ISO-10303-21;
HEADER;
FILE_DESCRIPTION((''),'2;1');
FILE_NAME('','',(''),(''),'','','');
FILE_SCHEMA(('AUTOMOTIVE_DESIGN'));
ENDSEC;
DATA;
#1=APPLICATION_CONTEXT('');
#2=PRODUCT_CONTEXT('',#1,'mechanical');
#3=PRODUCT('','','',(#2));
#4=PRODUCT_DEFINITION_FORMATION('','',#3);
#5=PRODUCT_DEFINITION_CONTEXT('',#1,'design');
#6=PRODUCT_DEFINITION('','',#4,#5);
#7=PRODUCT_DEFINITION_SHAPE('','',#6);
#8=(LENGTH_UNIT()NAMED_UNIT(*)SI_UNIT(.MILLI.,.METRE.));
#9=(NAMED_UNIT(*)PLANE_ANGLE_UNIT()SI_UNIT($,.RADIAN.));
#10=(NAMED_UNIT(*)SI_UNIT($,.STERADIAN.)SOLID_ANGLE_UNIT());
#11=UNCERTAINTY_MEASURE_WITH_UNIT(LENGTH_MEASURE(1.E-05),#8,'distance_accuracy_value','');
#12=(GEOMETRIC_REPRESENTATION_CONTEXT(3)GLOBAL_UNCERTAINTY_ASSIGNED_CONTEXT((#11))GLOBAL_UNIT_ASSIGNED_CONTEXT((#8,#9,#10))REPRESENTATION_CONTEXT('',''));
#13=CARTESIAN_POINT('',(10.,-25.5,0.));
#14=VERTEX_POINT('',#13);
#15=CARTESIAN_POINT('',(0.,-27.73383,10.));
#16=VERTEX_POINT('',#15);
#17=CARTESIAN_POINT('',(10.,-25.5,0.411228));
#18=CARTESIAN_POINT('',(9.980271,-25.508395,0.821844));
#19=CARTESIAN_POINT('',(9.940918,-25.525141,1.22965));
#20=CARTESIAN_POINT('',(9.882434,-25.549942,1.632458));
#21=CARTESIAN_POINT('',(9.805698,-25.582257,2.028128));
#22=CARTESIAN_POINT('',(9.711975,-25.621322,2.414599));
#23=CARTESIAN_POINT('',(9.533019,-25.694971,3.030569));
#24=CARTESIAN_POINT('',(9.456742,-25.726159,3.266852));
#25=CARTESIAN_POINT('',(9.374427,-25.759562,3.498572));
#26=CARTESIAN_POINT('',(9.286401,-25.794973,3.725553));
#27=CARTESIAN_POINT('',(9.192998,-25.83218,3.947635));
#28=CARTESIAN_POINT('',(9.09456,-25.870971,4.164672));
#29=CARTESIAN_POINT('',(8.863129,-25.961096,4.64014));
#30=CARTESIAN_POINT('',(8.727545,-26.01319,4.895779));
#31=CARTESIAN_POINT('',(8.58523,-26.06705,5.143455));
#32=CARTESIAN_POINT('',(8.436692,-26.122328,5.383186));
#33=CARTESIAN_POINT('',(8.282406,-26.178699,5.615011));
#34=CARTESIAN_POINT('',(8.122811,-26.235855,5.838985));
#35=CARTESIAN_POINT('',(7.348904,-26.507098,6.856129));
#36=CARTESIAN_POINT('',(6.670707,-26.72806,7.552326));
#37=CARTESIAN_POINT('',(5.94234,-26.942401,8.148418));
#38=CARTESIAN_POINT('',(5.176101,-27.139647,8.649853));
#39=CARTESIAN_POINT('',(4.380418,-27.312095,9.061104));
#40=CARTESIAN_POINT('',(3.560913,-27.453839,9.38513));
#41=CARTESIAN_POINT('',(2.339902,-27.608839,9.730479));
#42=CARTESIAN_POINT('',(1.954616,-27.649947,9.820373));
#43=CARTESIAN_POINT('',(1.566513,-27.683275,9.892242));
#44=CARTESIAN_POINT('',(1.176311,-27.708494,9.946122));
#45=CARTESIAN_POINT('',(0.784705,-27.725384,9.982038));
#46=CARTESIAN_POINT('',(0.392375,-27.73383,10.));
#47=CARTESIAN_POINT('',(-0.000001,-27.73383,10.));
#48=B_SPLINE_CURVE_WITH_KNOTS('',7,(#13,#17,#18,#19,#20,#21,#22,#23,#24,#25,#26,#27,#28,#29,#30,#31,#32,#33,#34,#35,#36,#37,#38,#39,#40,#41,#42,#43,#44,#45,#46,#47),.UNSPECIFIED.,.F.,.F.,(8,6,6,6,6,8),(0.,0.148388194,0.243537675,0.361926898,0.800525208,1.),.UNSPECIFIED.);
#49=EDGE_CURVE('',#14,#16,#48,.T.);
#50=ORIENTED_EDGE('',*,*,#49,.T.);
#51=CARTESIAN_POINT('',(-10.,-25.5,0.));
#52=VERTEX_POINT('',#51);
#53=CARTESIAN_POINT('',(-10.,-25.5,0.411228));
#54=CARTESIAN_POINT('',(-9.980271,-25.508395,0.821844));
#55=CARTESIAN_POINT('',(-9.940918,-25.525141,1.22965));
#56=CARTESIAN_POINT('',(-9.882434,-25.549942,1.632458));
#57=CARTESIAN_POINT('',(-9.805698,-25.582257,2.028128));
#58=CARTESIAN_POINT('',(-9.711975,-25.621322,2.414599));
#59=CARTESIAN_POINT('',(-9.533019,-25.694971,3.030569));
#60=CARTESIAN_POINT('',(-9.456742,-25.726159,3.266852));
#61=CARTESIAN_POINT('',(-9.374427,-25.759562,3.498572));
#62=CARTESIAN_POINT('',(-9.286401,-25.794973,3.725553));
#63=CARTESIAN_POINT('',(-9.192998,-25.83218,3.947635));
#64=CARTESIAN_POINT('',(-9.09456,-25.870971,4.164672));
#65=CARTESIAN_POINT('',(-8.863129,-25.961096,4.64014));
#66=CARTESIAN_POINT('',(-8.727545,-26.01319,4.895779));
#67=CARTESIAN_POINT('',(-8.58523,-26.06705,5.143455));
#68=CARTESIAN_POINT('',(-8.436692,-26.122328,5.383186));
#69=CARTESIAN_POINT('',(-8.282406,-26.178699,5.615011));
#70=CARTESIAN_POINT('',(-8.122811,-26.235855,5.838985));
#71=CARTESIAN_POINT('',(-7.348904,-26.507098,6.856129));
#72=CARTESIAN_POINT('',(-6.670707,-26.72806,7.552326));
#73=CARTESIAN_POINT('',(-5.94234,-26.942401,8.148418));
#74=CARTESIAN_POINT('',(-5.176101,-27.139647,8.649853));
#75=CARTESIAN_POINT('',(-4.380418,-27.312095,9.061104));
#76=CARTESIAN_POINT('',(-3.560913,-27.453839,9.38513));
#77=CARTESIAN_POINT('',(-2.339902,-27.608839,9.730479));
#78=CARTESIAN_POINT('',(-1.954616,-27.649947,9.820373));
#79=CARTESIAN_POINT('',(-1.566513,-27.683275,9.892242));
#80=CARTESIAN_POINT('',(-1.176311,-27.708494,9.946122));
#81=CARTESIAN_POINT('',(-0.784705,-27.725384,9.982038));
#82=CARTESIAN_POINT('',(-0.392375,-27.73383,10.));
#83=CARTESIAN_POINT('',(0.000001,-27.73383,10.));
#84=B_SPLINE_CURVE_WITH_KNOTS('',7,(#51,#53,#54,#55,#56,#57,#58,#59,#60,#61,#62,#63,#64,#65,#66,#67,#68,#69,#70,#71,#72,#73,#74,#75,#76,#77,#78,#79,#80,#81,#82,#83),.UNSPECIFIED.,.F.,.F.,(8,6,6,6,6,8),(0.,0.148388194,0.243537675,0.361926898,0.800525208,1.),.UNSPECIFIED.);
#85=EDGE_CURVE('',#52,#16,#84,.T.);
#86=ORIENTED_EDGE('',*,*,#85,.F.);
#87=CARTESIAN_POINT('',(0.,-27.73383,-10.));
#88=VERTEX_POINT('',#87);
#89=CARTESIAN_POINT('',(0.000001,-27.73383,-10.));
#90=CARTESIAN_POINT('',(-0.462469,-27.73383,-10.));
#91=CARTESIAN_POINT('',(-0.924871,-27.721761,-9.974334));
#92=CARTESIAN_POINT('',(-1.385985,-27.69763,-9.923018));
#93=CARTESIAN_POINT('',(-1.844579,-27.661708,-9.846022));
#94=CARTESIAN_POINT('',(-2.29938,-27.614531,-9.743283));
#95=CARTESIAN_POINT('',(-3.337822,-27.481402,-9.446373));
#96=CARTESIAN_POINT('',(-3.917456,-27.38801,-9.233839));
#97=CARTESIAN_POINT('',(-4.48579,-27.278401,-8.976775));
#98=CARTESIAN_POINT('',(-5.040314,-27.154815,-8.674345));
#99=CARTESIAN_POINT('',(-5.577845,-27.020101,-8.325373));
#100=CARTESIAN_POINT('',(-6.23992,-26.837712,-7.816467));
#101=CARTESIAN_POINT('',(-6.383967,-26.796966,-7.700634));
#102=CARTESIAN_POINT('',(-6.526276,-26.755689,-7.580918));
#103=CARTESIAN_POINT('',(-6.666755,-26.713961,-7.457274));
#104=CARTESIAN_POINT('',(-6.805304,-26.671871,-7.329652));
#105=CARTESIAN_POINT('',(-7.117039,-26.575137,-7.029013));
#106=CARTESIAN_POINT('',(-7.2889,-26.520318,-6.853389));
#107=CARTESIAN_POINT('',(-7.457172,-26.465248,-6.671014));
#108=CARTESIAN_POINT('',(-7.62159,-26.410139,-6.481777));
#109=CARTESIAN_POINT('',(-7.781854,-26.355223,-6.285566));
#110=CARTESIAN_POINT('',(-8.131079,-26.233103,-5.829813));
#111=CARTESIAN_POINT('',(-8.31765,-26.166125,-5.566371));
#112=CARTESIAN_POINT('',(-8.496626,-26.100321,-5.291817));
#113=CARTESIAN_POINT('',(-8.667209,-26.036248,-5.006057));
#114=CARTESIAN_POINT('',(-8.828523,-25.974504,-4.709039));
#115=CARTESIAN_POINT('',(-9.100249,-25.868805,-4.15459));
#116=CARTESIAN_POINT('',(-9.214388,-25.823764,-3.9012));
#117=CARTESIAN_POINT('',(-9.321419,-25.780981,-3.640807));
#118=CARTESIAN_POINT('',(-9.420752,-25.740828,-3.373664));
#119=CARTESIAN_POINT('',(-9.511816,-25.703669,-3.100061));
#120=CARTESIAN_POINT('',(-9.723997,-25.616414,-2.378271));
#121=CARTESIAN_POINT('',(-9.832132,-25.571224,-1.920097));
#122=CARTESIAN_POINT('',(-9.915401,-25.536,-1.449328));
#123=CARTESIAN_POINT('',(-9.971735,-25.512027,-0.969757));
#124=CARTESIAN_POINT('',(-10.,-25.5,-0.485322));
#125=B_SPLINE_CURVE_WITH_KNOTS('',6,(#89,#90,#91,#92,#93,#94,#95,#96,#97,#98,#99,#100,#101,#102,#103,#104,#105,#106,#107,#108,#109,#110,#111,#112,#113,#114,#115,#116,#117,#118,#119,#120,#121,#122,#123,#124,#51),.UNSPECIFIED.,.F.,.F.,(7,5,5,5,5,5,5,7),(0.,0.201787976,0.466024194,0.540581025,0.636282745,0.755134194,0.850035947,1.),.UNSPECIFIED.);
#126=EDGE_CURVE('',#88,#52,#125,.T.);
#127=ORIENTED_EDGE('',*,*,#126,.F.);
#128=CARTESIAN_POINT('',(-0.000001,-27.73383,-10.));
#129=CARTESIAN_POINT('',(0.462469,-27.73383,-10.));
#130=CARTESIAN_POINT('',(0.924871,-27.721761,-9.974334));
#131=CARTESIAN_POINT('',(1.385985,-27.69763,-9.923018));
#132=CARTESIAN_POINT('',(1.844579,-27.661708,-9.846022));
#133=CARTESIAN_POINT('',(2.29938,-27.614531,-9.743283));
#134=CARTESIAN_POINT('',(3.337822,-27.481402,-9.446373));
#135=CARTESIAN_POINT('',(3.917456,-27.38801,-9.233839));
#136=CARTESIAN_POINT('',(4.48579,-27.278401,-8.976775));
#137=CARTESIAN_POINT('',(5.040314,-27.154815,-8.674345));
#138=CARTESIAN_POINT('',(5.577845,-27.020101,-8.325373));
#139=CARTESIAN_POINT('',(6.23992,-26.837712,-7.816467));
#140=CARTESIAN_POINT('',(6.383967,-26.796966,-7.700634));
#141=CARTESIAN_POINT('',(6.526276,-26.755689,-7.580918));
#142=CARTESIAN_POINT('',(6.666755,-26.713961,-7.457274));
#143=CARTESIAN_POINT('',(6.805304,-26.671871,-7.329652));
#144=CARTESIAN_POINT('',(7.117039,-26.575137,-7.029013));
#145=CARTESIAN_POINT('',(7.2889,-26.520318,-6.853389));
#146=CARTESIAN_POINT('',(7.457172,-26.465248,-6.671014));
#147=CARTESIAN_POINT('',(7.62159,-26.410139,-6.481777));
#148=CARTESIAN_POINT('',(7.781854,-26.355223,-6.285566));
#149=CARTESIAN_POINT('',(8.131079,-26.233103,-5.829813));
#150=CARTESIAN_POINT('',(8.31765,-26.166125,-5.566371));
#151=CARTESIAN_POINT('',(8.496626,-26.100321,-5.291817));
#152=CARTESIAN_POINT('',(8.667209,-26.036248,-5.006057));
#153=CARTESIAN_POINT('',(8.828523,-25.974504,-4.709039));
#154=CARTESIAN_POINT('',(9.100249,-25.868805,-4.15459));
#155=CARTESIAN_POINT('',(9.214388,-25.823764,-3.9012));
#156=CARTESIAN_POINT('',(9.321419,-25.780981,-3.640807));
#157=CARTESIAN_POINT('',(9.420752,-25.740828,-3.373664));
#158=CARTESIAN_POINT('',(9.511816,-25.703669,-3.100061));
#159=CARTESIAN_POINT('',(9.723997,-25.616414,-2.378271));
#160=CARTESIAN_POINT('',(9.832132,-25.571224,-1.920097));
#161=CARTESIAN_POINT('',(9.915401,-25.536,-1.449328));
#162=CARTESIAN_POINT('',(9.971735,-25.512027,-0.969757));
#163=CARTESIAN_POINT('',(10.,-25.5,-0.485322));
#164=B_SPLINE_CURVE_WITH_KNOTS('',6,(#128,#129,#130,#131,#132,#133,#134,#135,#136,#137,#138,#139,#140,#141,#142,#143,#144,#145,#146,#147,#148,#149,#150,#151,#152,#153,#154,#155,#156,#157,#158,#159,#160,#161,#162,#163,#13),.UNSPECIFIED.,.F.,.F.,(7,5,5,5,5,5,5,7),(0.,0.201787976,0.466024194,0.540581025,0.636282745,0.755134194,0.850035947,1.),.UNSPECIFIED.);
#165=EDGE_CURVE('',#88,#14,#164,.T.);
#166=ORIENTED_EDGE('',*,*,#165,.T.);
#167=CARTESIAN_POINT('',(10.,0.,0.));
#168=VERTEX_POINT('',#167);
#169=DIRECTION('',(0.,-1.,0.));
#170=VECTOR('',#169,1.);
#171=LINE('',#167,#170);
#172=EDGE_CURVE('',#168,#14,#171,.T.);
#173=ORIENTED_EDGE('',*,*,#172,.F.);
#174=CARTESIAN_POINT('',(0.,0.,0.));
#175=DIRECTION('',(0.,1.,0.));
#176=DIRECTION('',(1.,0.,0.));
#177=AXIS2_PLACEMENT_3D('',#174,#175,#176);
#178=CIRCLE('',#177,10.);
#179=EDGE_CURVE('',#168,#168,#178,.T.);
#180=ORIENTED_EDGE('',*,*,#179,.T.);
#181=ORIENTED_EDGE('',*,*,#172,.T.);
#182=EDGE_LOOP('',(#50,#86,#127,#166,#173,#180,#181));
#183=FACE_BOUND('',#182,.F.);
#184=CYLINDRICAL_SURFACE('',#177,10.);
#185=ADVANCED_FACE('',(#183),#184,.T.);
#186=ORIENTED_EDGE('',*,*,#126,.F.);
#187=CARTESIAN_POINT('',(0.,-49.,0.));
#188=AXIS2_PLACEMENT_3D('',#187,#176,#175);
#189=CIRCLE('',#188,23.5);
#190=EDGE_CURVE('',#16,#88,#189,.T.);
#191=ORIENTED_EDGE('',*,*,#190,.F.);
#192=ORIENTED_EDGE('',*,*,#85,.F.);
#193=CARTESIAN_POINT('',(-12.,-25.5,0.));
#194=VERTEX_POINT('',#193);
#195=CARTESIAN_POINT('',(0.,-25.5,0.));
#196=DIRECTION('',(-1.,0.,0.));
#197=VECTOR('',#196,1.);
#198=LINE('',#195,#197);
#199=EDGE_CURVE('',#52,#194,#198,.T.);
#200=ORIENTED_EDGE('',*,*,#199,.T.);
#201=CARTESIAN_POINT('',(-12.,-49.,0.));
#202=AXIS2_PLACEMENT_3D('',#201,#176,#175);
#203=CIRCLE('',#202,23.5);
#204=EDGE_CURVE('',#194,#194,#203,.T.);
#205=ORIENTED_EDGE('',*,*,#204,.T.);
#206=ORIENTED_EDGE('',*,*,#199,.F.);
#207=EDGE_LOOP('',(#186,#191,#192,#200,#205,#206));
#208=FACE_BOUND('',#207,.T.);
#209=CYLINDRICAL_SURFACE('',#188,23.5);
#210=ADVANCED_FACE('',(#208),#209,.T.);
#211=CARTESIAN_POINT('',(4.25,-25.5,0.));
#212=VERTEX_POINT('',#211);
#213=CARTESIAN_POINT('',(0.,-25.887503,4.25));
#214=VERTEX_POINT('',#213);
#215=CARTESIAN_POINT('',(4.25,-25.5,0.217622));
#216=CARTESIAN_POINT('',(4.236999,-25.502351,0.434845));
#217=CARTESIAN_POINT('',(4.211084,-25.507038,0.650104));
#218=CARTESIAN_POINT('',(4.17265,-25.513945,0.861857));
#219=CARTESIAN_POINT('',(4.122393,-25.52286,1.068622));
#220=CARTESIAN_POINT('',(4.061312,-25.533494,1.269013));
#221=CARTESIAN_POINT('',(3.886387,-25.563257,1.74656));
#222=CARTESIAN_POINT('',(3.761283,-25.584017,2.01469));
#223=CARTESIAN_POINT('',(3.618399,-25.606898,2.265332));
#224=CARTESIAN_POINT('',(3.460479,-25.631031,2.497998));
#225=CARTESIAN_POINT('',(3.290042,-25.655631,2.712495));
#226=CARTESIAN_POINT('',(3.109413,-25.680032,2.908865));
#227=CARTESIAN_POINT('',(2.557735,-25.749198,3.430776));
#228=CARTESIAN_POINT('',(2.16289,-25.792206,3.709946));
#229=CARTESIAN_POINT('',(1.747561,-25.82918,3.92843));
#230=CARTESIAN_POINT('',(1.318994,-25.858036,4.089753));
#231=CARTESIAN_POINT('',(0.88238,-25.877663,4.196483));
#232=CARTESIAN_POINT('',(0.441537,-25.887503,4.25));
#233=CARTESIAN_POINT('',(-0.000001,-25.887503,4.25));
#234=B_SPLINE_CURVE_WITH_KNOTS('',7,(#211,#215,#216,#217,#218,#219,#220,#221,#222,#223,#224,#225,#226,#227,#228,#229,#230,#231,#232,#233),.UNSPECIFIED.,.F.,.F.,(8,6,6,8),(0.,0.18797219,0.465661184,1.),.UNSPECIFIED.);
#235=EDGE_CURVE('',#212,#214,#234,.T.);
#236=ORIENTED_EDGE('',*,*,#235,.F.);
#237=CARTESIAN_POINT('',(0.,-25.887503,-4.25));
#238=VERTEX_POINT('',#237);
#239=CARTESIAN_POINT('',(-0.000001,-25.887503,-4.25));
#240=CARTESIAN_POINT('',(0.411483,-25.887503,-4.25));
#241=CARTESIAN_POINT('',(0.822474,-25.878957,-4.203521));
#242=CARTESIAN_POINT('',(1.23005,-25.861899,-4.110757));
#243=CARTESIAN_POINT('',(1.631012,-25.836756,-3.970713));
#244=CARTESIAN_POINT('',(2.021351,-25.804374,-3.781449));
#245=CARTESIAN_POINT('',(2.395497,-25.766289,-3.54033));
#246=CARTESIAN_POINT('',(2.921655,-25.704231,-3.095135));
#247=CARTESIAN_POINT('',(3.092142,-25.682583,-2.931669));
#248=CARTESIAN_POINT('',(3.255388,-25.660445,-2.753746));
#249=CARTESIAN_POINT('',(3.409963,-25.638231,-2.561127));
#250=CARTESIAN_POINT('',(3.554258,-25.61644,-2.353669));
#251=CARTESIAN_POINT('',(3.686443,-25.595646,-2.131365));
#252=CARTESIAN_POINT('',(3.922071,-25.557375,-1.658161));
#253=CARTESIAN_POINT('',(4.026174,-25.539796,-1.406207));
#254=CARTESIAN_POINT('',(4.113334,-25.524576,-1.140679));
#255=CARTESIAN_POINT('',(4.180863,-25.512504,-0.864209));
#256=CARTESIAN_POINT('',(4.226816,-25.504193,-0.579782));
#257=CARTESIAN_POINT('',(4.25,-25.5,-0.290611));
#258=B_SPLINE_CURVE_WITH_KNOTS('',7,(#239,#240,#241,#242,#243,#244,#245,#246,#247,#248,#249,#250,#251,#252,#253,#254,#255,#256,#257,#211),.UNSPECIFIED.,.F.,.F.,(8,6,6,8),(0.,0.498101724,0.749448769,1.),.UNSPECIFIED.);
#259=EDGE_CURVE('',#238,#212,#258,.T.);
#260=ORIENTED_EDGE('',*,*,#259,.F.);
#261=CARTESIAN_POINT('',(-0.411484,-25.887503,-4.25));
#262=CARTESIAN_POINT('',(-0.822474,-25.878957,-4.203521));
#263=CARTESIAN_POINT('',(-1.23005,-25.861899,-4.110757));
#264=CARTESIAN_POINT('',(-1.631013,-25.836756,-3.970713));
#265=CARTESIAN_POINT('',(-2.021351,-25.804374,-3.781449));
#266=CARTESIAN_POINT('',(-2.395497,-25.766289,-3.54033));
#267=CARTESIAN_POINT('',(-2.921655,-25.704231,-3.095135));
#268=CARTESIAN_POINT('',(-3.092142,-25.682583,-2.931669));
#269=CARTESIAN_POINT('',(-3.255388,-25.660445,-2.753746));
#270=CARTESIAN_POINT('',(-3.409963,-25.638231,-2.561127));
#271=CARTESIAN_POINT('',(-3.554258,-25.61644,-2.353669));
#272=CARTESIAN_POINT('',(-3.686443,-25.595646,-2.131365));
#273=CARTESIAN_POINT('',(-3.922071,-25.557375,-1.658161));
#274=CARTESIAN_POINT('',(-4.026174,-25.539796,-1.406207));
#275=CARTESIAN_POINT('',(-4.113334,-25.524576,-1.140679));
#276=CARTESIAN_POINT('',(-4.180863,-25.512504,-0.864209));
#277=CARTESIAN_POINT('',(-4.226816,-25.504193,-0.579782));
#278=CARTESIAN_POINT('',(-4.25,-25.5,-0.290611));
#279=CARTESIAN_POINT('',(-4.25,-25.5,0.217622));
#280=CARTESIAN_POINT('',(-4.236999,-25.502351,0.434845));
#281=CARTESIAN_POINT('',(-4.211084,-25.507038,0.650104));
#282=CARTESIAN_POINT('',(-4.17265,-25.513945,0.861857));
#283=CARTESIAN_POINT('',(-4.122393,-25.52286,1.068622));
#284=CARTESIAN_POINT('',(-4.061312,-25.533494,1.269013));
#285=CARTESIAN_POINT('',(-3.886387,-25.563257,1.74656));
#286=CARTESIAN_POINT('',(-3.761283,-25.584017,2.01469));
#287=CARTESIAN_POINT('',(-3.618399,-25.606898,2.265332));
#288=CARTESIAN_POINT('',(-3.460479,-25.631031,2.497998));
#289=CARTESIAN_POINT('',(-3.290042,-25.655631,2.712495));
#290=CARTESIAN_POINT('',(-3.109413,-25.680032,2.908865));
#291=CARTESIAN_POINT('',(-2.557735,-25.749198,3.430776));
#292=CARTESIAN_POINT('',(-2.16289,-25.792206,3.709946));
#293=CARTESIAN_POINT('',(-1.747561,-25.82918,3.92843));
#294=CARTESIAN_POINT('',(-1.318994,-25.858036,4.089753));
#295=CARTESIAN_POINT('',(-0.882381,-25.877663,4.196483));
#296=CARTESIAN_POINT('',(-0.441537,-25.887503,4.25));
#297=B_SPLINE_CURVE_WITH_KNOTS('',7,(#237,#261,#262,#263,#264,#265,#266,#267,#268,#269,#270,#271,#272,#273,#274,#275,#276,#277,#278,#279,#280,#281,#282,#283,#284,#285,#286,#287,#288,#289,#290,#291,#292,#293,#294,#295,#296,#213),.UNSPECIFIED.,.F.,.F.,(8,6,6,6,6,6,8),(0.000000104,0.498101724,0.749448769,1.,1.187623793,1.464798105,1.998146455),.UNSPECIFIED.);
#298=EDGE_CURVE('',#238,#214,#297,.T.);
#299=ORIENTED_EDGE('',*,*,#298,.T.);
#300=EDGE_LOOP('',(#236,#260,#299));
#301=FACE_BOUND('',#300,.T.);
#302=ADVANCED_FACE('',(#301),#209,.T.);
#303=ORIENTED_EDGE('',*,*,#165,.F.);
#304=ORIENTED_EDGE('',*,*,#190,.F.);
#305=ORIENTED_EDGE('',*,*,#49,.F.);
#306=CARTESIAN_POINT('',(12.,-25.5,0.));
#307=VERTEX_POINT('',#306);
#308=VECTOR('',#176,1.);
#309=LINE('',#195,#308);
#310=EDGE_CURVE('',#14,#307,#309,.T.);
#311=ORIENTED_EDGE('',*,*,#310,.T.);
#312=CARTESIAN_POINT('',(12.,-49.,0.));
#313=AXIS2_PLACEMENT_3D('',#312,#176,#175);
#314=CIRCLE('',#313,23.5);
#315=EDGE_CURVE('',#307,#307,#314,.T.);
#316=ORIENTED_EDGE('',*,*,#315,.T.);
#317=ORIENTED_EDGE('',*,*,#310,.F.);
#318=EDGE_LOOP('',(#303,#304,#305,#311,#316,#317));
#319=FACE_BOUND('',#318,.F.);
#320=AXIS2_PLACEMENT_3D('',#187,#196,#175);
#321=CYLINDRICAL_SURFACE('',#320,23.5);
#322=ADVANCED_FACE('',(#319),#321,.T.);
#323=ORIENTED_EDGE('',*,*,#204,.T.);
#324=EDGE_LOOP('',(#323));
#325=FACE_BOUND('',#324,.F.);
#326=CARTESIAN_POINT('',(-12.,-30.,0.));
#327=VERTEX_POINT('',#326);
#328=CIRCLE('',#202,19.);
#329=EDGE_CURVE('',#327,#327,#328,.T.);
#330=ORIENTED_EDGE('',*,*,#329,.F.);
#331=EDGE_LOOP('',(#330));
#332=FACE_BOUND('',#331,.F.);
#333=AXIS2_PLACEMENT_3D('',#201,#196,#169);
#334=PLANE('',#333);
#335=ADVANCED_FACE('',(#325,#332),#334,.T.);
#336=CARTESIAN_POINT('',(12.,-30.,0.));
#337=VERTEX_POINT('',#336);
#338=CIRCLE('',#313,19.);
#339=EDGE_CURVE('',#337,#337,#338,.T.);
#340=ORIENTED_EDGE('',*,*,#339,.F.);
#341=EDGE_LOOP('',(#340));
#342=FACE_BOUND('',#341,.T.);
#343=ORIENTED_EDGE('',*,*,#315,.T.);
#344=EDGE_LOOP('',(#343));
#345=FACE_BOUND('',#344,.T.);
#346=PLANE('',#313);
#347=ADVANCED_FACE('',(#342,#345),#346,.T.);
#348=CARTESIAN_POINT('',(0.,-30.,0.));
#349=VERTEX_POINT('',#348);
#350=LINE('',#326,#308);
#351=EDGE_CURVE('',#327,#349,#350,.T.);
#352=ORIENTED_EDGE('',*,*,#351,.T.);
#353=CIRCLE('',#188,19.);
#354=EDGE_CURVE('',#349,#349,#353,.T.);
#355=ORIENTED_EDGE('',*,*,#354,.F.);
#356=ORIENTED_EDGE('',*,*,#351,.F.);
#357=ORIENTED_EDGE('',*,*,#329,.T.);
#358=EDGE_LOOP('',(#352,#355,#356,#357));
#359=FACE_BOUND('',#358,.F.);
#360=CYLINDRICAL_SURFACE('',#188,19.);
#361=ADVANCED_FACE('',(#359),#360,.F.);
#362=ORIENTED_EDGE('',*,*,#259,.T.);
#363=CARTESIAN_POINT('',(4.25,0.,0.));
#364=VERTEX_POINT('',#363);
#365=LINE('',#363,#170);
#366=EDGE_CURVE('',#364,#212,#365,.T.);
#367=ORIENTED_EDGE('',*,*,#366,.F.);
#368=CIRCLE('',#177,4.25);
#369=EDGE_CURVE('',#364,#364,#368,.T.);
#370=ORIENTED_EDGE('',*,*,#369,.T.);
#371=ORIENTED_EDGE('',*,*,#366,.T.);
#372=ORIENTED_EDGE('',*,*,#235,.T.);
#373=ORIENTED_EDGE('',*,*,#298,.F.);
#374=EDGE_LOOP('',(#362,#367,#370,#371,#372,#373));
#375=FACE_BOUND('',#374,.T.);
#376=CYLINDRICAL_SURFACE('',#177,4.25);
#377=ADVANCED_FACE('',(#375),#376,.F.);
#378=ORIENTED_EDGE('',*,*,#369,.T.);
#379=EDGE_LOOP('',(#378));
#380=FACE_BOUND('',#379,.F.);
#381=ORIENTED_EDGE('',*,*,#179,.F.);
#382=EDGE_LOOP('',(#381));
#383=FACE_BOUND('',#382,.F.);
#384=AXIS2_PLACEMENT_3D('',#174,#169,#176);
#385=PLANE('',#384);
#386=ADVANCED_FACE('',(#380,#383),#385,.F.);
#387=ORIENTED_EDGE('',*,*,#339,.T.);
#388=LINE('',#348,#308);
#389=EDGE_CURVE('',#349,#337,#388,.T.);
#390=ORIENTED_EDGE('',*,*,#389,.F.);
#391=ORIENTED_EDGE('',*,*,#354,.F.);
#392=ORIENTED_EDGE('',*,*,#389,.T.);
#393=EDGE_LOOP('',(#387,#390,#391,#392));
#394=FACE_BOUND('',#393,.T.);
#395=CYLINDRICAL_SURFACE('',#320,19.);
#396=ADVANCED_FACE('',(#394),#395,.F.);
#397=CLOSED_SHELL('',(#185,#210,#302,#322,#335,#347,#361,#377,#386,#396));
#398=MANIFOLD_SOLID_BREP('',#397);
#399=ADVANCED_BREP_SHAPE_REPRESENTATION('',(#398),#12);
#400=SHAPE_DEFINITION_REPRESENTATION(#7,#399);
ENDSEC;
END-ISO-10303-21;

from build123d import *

# Parameters (mm, degrees)
F0_R     = 10
F0_R_2   = 4.25
F1_DEPTH = 30
F2_R     = 23.5
F2_R_2   = 19
F3_DEPTH = 12


with BuildPart() as f1:
    # F0 (on Front) → F1 (new body)
    with BuildSketch(Plane.XZ):
        Circle(F0_R)
        Circle(F0_R_2, mode=Mode.SUBTRACT)
    extrude(amount=F1_DEPTH)

    # F2 (on Right) → F3 (join)
    with BuildSketch(Plane.YZ):
        with Locations((-49, 0)):
            Circle(F2_R)
        with Locations((-49, 0)):
            Circle(F2_R_2, mode=Mode.SUBTRACT)
    extrude(amount=F3_DEPTH)

    # F4: F1 across plane


with BuildPart() as f1_1:
    add(f1.part)
    add(f1.part.mirror(Plane.YZ))


solid = f1_1.part
